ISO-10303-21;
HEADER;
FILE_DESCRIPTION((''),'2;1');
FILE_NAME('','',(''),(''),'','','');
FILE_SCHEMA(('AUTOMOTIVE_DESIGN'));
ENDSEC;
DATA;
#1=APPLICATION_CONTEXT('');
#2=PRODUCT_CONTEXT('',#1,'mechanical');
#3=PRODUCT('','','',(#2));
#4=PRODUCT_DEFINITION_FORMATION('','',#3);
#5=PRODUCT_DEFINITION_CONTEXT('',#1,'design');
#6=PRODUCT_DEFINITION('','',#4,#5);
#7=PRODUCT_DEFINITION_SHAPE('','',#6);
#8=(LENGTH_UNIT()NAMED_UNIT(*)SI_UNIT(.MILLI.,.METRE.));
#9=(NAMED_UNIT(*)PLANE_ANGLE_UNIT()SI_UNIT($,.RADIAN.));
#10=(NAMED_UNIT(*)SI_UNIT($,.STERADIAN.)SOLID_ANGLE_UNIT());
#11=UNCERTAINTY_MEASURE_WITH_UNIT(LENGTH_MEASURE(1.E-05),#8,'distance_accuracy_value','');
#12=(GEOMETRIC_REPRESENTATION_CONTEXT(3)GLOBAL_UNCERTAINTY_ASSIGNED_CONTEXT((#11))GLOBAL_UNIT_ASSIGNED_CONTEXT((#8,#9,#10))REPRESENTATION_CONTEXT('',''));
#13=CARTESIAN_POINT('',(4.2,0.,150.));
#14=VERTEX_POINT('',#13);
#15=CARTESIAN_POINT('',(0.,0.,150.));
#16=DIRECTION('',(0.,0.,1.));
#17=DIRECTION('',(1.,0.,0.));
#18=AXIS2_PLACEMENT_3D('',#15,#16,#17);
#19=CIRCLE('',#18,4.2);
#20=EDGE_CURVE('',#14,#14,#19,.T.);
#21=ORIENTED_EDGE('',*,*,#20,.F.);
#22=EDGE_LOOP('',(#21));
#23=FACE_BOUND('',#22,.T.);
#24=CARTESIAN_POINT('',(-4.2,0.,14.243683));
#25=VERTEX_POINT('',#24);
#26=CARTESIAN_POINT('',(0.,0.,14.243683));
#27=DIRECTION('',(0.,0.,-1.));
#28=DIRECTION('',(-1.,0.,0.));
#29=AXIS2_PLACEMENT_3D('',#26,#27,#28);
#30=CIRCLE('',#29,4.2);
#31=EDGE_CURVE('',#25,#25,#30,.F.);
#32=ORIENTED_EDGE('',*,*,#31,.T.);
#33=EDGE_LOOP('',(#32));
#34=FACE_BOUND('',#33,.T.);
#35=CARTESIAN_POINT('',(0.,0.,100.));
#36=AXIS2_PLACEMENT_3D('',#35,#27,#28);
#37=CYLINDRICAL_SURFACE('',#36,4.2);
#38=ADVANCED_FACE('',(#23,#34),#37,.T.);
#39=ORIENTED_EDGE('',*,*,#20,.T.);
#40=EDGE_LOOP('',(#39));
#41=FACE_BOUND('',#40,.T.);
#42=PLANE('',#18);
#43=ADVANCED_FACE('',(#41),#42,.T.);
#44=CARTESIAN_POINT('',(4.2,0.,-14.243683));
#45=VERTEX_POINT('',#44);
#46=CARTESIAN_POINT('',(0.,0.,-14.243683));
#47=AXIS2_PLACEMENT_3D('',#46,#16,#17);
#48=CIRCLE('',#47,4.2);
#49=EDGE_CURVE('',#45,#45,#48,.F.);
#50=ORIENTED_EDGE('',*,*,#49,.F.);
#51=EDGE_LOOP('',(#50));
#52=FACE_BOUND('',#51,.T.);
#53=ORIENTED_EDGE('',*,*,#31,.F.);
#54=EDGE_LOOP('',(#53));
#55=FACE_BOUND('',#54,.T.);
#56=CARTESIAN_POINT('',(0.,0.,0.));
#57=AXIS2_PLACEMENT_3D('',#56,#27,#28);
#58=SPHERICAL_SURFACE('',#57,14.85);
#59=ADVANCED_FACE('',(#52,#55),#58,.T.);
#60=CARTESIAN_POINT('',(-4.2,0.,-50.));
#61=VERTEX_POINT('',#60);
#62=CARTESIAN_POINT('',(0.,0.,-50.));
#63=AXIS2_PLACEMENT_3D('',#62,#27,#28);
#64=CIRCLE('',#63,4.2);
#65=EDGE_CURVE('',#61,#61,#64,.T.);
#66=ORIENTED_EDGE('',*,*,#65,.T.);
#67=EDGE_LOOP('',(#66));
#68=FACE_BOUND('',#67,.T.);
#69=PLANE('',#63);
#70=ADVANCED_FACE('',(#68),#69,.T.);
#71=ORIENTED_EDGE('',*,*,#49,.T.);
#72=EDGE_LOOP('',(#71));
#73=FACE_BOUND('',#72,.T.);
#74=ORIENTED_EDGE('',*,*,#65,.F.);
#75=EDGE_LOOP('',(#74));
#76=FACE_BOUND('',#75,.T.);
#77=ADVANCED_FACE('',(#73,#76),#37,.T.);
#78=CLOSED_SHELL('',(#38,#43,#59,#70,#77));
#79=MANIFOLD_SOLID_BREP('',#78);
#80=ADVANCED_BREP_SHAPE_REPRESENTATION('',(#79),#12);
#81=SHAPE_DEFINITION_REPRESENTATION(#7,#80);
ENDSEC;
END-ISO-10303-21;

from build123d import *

# Parameters (mm, degrees)
CUT_EXTRUDE1_DEPTH      = 26.720954492
CUT_EXTRUDE1_DEPTH_BACK = 26.720954492
SKETCH2_R               = 4.2
SKETCH3_R               = 4.2
BOSS_EXTRUDE1_DEPTH     = 100
CUT_EXTRUDE2_START      = -50
SKETCH4_R               = 4.2
CUT_EXTRUDE2_DEPTH      = 50
BOSS_EXTRUDE2_START     = 50
SKETCH5_R               = 4.2
BOSS_EXTRUDE2_DEPTH     = 50


with BuildPart() as part:
    # Sketch1 → Revolve1 (revolve)
    with BuildSketch(Plane.XY):
        with BuildLine():
            Line((0, 14.85), (0, -14.85))
            ThreePointArc((0, -14.85), (14.85, 0), (0, 14.85))
        make_face()
    revolve(axis=Axis((0, 14.85, 0), (0, -1, 0)))

    # Sketch2 → Cut-Extrude1 (cut, two sides: drawn at the far end of the back side and taken through both)
    with BuildSketch(Plane.XY.offset(-CUT_EXTRUDE1_DEPTH_BACK)):
        with Locations(Location((0, 0, 0), (0, 0, 180))):
            Circle(SKETCH2_R)
    extrude(amount=CUT_EXTRUDE1_DEPTH + CUT_EXTRUDE1_DEPTH_BACK, mode=Mode.SUBTRACT)

    # Sketch3 → Boss-Extrude1 (add, symmetric)
    with BuildSketch(Plane.XY):
        Circle(SKETCH3_R)
    extrude(amount=BOSS_EXTRUDE1_DEPTH, both=True)

    # Sketch4 → Cut-Extrude2 (cut)
    with BuildSketch(Plane(origin=(0, 0, -100), x_dir=(-1, 0, 0), z_dir=(0, 0, -1)).offset(CUT_EXTRUDE2_START)):
        Circle(SKETCH4_R)
    extrude(amount=CUT_EXTRUDE2_DEPTH, mode=Mode.SUBTRACT)

    # Sketch5 → Boss-Extrude2 (add)
    with BuildSketch(Plane.XY.offset(100).offset(BOSS_EXTRUDE2_START)):
        with Locations(Location((0, 0, 0), (0, 0, 180))):
            Circle(SKETCH5_R)
    extrude(amount=-BOSS_EXTRUDE2_DEPTH)


solid = part.part
